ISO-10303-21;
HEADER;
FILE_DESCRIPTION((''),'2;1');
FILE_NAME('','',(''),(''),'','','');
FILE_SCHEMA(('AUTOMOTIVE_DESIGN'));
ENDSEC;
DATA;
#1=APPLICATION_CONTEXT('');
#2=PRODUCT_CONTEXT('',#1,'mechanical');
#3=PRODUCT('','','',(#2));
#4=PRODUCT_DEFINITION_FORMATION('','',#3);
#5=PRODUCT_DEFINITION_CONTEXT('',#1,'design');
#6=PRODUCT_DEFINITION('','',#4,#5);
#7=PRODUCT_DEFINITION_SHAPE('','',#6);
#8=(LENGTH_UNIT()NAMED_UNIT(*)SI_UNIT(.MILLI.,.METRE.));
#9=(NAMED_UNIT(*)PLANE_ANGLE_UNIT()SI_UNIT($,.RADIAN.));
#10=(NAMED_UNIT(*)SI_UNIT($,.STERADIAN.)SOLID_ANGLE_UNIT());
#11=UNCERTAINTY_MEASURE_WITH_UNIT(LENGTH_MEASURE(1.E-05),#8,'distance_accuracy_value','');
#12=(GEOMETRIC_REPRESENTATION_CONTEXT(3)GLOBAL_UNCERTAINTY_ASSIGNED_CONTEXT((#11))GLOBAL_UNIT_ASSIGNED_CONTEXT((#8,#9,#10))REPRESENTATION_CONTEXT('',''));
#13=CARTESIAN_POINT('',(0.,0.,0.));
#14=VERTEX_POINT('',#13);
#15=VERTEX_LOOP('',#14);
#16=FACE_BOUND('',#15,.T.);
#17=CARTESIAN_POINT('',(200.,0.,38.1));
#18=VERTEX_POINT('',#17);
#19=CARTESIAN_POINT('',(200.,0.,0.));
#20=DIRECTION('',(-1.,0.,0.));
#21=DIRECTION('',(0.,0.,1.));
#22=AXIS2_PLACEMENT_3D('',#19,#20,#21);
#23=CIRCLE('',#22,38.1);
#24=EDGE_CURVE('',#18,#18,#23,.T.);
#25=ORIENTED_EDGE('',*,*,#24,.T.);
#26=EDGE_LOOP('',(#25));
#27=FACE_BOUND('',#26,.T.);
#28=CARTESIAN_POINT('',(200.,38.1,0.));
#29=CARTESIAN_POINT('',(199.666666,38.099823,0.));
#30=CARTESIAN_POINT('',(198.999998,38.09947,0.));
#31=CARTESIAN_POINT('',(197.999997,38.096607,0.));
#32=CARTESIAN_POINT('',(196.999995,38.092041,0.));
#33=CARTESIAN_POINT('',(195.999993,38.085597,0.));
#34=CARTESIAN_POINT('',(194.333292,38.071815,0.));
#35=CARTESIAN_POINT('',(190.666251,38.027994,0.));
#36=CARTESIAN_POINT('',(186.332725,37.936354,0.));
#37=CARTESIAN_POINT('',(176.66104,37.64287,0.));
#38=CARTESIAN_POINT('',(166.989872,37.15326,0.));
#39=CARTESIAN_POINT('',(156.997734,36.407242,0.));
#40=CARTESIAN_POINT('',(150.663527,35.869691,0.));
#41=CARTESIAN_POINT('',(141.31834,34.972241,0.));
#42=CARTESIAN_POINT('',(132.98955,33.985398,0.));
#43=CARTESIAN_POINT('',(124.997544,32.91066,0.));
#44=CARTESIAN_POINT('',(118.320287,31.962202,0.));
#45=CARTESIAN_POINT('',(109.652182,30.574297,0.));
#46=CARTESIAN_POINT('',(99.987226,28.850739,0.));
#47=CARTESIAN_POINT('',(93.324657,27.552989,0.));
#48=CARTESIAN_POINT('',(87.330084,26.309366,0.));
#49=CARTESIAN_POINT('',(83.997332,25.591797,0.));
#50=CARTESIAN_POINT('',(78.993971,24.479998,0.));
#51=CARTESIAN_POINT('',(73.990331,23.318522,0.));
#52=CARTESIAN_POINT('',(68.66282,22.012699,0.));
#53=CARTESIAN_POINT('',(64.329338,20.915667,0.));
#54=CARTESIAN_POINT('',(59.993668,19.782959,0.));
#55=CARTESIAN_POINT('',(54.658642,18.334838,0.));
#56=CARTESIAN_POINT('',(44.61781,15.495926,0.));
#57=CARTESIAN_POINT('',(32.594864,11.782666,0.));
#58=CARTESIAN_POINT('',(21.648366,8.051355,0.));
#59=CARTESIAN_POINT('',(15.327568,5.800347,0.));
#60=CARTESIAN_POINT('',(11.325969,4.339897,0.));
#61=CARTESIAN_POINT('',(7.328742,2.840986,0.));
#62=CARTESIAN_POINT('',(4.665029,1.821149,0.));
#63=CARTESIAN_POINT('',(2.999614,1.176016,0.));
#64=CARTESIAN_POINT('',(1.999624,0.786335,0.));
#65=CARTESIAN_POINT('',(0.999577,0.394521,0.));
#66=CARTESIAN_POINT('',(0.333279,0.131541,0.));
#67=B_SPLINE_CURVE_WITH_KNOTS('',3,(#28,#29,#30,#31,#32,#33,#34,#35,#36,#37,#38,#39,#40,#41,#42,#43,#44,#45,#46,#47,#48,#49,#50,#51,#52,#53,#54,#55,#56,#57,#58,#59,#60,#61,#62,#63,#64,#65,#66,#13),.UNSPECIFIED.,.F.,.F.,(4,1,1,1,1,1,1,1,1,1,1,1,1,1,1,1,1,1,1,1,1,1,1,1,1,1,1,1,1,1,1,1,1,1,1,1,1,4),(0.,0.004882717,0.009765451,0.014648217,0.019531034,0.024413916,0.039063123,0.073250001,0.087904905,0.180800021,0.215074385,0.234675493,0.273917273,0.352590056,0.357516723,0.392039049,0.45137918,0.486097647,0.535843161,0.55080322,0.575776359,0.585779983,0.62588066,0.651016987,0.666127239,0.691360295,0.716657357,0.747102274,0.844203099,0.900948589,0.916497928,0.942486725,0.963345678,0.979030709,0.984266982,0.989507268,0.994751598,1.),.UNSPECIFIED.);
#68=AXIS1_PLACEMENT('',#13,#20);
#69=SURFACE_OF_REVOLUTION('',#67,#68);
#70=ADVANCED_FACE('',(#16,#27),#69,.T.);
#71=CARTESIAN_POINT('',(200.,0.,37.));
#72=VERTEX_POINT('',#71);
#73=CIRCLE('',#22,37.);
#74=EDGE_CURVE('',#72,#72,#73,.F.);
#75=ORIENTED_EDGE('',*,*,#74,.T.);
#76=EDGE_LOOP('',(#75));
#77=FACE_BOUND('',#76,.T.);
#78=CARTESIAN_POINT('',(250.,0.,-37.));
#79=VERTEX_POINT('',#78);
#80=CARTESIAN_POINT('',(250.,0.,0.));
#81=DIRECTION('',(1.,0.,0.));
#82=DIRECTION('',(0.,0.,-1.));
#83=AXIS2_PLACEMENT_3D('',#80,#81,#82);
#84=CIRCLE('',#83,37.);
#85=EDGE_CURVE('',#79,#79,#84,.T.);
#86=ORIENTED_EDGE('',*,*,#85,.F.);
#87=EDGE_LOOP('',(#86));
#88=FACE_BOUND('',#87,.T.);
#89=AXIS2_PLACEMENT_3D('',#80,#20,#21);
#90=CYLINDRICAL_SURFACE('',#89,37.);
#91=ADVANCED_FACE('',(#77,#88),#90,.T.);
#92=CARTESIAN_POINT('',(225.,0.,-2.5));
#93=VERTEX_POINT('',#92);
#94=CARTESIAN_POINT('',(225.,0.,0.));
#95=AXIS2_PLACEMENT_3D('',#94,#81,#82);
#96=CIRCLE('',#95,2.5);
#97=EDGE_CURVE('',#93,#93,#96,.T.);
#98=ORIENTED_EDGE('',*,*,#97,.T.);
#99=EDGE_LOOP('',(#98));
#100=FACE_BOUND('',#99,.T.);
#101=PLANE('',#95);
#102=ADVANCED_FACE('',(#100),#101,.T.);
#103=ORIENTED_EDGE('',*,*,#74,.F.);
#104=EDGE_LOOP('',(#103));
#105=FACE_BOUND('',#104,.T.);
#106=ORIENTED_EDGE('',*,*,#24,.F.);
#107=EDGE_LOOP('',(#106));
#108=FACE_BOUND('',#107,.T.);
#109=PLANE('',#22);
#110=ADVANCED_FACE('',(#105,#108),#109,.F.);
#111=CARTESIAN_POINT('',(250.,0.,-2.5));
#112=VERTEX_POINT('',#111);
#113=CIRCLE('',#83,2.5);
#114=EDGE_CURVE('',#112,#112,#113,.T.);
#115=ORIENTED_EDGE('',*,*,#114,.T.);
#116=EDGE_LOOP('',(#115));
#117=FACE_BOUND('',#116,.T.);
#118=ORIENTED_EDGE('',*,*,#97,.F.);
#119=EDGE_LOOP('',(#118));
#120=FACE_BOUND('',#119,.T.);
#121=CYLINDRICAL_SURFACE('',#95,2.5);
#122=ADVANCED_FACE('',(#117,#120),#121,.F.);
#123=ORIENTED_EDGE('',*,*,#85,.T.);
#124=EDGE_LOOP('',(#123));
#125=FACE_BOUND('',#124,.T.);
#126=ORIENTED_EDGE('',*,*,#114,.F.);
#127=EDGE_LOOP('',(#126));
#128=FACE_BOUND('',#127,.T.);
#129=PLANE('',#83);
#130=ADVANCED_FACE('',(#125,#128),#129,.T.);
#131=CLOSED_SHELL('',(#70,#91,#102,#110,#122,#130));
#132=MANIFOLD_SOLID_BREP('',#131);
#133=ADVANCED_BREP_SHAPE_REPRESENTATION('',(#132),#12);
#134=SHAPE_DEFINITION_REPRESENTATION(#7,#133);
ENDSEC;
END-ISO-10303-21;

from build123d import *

# Parameters (mm, degrees)
SKETCH10_R          = 37
BOSS_EXTRUDE1_DEPTH = 50
SKETCH11_R          = 2.5
CUT_EXTRUDE1_DEPTH  = 25


with BuildPart() as part:
    # Sketch3 → Revolve1 (revolve)
    with BuildSketch(Plane.XY):
        with BuildLine():
            Line((0, 0), (200, 0))
            Line((200, 0), (200, 38.1))
            add(Edge.make_bspline(
                [(0, 0), (0.333278549, 0.131540873), (0.999577039, 0.394520549), (1.999623692, 0.786334891), (2.999614377, 1.17601578), (4.66502861, 1.821148753), (7.328741847, 2.840985756), (11.325969227, 4.339896645), (15.327567951, 5.800346847), (21.648365914, 8.05135545), (32.594864134, 11.782666432), (44.617809557, 15.495925888), (54.658642309, 18.334838057), (59.993667814, 19.782959156), (64.329338058, 20.915666696), (68.662820277, 22.01269926), (73.990330688, 23.318521745), (78.993971117, 24.479998264), (83.997331558, 25.591796678), (87.330083915, 26.309365893), (93.324657038, 27.552988579), (99.987226118, 28.850738677), (109.652181507, 30.574297106), (118.320286798, 31.962202042), (124.997544263, 32.910660178), (132.98954992, 33.985397902), (141.318339795, 34.97224064), (150.663527404, 35.869691178), (156.997734153, 36.407242182), (166.989872456, 37.153259543), (176.661040051, 37.642869627), (186.332724985, 37.936353666), (190.666251166, 38.027993755), (194.333291829, 38.071814955), (195.999993248, 38.085597183), (196.999994924, 38.092040964), (197.999996625, 38.09660679), (198.999998309, 38.099469797), (199.666666479, 38.099823266), (200, 38.1)],
                knots=[0, 0, 0, 0, 0.005248402, 0.010492732, 0.015733018, 0.020969291, 0.036654322, 0.057513275, 0.083502072, 0.099051411, 0.155796901, 0.252897726, 0.283342643, 0.308639705, 0.333872761, 0.348983013, 0.37411934, 0.414220017, 0.424223641, 0.44919678, 0.464156839, 0.513902353, 0.54862082, 0.607960951, 0.642483277, 0.647409944, 0.726082727, 0.765324507, 0.784925615, 0.819199979, 0.912095095, 0.926749999, 0.960936877, 0.975586084, 0.980468966, 0.985351783, 0.990234549, 0.995117283, 1, 1, 1, 1], degree=3))
        make_face()
    revolve(axis=Axis((0, 0, 0), (1, 0, 0)))

    # Sketch10 → Boss-Extrude1 (add)
    with BuildSketch(Plane(origin=(200, 0, 0), x_dir=(0, 0, -1), z_dir=(1, 0, 0))):
        with Locations(Location((0, 0, 0), (0, 0, 180))):
            Circle(SKETCH10_R)
    extrude(amount=BOSS_EXTRUDE1_DEPTH)

    # Sketch11 → Cut-Extrude1 (cut)
    with BuildSketch(Plane(origin=(250, 0, 0), x_dir=(0, 0, -1), z_dir=(1, 0, 0))):
        Circle(SKETCH11_R)
    extrude(amount=-CUT_EXTRUDE1_DEPTH, mode=Mode.SUBTRACT)


solid = part.part
